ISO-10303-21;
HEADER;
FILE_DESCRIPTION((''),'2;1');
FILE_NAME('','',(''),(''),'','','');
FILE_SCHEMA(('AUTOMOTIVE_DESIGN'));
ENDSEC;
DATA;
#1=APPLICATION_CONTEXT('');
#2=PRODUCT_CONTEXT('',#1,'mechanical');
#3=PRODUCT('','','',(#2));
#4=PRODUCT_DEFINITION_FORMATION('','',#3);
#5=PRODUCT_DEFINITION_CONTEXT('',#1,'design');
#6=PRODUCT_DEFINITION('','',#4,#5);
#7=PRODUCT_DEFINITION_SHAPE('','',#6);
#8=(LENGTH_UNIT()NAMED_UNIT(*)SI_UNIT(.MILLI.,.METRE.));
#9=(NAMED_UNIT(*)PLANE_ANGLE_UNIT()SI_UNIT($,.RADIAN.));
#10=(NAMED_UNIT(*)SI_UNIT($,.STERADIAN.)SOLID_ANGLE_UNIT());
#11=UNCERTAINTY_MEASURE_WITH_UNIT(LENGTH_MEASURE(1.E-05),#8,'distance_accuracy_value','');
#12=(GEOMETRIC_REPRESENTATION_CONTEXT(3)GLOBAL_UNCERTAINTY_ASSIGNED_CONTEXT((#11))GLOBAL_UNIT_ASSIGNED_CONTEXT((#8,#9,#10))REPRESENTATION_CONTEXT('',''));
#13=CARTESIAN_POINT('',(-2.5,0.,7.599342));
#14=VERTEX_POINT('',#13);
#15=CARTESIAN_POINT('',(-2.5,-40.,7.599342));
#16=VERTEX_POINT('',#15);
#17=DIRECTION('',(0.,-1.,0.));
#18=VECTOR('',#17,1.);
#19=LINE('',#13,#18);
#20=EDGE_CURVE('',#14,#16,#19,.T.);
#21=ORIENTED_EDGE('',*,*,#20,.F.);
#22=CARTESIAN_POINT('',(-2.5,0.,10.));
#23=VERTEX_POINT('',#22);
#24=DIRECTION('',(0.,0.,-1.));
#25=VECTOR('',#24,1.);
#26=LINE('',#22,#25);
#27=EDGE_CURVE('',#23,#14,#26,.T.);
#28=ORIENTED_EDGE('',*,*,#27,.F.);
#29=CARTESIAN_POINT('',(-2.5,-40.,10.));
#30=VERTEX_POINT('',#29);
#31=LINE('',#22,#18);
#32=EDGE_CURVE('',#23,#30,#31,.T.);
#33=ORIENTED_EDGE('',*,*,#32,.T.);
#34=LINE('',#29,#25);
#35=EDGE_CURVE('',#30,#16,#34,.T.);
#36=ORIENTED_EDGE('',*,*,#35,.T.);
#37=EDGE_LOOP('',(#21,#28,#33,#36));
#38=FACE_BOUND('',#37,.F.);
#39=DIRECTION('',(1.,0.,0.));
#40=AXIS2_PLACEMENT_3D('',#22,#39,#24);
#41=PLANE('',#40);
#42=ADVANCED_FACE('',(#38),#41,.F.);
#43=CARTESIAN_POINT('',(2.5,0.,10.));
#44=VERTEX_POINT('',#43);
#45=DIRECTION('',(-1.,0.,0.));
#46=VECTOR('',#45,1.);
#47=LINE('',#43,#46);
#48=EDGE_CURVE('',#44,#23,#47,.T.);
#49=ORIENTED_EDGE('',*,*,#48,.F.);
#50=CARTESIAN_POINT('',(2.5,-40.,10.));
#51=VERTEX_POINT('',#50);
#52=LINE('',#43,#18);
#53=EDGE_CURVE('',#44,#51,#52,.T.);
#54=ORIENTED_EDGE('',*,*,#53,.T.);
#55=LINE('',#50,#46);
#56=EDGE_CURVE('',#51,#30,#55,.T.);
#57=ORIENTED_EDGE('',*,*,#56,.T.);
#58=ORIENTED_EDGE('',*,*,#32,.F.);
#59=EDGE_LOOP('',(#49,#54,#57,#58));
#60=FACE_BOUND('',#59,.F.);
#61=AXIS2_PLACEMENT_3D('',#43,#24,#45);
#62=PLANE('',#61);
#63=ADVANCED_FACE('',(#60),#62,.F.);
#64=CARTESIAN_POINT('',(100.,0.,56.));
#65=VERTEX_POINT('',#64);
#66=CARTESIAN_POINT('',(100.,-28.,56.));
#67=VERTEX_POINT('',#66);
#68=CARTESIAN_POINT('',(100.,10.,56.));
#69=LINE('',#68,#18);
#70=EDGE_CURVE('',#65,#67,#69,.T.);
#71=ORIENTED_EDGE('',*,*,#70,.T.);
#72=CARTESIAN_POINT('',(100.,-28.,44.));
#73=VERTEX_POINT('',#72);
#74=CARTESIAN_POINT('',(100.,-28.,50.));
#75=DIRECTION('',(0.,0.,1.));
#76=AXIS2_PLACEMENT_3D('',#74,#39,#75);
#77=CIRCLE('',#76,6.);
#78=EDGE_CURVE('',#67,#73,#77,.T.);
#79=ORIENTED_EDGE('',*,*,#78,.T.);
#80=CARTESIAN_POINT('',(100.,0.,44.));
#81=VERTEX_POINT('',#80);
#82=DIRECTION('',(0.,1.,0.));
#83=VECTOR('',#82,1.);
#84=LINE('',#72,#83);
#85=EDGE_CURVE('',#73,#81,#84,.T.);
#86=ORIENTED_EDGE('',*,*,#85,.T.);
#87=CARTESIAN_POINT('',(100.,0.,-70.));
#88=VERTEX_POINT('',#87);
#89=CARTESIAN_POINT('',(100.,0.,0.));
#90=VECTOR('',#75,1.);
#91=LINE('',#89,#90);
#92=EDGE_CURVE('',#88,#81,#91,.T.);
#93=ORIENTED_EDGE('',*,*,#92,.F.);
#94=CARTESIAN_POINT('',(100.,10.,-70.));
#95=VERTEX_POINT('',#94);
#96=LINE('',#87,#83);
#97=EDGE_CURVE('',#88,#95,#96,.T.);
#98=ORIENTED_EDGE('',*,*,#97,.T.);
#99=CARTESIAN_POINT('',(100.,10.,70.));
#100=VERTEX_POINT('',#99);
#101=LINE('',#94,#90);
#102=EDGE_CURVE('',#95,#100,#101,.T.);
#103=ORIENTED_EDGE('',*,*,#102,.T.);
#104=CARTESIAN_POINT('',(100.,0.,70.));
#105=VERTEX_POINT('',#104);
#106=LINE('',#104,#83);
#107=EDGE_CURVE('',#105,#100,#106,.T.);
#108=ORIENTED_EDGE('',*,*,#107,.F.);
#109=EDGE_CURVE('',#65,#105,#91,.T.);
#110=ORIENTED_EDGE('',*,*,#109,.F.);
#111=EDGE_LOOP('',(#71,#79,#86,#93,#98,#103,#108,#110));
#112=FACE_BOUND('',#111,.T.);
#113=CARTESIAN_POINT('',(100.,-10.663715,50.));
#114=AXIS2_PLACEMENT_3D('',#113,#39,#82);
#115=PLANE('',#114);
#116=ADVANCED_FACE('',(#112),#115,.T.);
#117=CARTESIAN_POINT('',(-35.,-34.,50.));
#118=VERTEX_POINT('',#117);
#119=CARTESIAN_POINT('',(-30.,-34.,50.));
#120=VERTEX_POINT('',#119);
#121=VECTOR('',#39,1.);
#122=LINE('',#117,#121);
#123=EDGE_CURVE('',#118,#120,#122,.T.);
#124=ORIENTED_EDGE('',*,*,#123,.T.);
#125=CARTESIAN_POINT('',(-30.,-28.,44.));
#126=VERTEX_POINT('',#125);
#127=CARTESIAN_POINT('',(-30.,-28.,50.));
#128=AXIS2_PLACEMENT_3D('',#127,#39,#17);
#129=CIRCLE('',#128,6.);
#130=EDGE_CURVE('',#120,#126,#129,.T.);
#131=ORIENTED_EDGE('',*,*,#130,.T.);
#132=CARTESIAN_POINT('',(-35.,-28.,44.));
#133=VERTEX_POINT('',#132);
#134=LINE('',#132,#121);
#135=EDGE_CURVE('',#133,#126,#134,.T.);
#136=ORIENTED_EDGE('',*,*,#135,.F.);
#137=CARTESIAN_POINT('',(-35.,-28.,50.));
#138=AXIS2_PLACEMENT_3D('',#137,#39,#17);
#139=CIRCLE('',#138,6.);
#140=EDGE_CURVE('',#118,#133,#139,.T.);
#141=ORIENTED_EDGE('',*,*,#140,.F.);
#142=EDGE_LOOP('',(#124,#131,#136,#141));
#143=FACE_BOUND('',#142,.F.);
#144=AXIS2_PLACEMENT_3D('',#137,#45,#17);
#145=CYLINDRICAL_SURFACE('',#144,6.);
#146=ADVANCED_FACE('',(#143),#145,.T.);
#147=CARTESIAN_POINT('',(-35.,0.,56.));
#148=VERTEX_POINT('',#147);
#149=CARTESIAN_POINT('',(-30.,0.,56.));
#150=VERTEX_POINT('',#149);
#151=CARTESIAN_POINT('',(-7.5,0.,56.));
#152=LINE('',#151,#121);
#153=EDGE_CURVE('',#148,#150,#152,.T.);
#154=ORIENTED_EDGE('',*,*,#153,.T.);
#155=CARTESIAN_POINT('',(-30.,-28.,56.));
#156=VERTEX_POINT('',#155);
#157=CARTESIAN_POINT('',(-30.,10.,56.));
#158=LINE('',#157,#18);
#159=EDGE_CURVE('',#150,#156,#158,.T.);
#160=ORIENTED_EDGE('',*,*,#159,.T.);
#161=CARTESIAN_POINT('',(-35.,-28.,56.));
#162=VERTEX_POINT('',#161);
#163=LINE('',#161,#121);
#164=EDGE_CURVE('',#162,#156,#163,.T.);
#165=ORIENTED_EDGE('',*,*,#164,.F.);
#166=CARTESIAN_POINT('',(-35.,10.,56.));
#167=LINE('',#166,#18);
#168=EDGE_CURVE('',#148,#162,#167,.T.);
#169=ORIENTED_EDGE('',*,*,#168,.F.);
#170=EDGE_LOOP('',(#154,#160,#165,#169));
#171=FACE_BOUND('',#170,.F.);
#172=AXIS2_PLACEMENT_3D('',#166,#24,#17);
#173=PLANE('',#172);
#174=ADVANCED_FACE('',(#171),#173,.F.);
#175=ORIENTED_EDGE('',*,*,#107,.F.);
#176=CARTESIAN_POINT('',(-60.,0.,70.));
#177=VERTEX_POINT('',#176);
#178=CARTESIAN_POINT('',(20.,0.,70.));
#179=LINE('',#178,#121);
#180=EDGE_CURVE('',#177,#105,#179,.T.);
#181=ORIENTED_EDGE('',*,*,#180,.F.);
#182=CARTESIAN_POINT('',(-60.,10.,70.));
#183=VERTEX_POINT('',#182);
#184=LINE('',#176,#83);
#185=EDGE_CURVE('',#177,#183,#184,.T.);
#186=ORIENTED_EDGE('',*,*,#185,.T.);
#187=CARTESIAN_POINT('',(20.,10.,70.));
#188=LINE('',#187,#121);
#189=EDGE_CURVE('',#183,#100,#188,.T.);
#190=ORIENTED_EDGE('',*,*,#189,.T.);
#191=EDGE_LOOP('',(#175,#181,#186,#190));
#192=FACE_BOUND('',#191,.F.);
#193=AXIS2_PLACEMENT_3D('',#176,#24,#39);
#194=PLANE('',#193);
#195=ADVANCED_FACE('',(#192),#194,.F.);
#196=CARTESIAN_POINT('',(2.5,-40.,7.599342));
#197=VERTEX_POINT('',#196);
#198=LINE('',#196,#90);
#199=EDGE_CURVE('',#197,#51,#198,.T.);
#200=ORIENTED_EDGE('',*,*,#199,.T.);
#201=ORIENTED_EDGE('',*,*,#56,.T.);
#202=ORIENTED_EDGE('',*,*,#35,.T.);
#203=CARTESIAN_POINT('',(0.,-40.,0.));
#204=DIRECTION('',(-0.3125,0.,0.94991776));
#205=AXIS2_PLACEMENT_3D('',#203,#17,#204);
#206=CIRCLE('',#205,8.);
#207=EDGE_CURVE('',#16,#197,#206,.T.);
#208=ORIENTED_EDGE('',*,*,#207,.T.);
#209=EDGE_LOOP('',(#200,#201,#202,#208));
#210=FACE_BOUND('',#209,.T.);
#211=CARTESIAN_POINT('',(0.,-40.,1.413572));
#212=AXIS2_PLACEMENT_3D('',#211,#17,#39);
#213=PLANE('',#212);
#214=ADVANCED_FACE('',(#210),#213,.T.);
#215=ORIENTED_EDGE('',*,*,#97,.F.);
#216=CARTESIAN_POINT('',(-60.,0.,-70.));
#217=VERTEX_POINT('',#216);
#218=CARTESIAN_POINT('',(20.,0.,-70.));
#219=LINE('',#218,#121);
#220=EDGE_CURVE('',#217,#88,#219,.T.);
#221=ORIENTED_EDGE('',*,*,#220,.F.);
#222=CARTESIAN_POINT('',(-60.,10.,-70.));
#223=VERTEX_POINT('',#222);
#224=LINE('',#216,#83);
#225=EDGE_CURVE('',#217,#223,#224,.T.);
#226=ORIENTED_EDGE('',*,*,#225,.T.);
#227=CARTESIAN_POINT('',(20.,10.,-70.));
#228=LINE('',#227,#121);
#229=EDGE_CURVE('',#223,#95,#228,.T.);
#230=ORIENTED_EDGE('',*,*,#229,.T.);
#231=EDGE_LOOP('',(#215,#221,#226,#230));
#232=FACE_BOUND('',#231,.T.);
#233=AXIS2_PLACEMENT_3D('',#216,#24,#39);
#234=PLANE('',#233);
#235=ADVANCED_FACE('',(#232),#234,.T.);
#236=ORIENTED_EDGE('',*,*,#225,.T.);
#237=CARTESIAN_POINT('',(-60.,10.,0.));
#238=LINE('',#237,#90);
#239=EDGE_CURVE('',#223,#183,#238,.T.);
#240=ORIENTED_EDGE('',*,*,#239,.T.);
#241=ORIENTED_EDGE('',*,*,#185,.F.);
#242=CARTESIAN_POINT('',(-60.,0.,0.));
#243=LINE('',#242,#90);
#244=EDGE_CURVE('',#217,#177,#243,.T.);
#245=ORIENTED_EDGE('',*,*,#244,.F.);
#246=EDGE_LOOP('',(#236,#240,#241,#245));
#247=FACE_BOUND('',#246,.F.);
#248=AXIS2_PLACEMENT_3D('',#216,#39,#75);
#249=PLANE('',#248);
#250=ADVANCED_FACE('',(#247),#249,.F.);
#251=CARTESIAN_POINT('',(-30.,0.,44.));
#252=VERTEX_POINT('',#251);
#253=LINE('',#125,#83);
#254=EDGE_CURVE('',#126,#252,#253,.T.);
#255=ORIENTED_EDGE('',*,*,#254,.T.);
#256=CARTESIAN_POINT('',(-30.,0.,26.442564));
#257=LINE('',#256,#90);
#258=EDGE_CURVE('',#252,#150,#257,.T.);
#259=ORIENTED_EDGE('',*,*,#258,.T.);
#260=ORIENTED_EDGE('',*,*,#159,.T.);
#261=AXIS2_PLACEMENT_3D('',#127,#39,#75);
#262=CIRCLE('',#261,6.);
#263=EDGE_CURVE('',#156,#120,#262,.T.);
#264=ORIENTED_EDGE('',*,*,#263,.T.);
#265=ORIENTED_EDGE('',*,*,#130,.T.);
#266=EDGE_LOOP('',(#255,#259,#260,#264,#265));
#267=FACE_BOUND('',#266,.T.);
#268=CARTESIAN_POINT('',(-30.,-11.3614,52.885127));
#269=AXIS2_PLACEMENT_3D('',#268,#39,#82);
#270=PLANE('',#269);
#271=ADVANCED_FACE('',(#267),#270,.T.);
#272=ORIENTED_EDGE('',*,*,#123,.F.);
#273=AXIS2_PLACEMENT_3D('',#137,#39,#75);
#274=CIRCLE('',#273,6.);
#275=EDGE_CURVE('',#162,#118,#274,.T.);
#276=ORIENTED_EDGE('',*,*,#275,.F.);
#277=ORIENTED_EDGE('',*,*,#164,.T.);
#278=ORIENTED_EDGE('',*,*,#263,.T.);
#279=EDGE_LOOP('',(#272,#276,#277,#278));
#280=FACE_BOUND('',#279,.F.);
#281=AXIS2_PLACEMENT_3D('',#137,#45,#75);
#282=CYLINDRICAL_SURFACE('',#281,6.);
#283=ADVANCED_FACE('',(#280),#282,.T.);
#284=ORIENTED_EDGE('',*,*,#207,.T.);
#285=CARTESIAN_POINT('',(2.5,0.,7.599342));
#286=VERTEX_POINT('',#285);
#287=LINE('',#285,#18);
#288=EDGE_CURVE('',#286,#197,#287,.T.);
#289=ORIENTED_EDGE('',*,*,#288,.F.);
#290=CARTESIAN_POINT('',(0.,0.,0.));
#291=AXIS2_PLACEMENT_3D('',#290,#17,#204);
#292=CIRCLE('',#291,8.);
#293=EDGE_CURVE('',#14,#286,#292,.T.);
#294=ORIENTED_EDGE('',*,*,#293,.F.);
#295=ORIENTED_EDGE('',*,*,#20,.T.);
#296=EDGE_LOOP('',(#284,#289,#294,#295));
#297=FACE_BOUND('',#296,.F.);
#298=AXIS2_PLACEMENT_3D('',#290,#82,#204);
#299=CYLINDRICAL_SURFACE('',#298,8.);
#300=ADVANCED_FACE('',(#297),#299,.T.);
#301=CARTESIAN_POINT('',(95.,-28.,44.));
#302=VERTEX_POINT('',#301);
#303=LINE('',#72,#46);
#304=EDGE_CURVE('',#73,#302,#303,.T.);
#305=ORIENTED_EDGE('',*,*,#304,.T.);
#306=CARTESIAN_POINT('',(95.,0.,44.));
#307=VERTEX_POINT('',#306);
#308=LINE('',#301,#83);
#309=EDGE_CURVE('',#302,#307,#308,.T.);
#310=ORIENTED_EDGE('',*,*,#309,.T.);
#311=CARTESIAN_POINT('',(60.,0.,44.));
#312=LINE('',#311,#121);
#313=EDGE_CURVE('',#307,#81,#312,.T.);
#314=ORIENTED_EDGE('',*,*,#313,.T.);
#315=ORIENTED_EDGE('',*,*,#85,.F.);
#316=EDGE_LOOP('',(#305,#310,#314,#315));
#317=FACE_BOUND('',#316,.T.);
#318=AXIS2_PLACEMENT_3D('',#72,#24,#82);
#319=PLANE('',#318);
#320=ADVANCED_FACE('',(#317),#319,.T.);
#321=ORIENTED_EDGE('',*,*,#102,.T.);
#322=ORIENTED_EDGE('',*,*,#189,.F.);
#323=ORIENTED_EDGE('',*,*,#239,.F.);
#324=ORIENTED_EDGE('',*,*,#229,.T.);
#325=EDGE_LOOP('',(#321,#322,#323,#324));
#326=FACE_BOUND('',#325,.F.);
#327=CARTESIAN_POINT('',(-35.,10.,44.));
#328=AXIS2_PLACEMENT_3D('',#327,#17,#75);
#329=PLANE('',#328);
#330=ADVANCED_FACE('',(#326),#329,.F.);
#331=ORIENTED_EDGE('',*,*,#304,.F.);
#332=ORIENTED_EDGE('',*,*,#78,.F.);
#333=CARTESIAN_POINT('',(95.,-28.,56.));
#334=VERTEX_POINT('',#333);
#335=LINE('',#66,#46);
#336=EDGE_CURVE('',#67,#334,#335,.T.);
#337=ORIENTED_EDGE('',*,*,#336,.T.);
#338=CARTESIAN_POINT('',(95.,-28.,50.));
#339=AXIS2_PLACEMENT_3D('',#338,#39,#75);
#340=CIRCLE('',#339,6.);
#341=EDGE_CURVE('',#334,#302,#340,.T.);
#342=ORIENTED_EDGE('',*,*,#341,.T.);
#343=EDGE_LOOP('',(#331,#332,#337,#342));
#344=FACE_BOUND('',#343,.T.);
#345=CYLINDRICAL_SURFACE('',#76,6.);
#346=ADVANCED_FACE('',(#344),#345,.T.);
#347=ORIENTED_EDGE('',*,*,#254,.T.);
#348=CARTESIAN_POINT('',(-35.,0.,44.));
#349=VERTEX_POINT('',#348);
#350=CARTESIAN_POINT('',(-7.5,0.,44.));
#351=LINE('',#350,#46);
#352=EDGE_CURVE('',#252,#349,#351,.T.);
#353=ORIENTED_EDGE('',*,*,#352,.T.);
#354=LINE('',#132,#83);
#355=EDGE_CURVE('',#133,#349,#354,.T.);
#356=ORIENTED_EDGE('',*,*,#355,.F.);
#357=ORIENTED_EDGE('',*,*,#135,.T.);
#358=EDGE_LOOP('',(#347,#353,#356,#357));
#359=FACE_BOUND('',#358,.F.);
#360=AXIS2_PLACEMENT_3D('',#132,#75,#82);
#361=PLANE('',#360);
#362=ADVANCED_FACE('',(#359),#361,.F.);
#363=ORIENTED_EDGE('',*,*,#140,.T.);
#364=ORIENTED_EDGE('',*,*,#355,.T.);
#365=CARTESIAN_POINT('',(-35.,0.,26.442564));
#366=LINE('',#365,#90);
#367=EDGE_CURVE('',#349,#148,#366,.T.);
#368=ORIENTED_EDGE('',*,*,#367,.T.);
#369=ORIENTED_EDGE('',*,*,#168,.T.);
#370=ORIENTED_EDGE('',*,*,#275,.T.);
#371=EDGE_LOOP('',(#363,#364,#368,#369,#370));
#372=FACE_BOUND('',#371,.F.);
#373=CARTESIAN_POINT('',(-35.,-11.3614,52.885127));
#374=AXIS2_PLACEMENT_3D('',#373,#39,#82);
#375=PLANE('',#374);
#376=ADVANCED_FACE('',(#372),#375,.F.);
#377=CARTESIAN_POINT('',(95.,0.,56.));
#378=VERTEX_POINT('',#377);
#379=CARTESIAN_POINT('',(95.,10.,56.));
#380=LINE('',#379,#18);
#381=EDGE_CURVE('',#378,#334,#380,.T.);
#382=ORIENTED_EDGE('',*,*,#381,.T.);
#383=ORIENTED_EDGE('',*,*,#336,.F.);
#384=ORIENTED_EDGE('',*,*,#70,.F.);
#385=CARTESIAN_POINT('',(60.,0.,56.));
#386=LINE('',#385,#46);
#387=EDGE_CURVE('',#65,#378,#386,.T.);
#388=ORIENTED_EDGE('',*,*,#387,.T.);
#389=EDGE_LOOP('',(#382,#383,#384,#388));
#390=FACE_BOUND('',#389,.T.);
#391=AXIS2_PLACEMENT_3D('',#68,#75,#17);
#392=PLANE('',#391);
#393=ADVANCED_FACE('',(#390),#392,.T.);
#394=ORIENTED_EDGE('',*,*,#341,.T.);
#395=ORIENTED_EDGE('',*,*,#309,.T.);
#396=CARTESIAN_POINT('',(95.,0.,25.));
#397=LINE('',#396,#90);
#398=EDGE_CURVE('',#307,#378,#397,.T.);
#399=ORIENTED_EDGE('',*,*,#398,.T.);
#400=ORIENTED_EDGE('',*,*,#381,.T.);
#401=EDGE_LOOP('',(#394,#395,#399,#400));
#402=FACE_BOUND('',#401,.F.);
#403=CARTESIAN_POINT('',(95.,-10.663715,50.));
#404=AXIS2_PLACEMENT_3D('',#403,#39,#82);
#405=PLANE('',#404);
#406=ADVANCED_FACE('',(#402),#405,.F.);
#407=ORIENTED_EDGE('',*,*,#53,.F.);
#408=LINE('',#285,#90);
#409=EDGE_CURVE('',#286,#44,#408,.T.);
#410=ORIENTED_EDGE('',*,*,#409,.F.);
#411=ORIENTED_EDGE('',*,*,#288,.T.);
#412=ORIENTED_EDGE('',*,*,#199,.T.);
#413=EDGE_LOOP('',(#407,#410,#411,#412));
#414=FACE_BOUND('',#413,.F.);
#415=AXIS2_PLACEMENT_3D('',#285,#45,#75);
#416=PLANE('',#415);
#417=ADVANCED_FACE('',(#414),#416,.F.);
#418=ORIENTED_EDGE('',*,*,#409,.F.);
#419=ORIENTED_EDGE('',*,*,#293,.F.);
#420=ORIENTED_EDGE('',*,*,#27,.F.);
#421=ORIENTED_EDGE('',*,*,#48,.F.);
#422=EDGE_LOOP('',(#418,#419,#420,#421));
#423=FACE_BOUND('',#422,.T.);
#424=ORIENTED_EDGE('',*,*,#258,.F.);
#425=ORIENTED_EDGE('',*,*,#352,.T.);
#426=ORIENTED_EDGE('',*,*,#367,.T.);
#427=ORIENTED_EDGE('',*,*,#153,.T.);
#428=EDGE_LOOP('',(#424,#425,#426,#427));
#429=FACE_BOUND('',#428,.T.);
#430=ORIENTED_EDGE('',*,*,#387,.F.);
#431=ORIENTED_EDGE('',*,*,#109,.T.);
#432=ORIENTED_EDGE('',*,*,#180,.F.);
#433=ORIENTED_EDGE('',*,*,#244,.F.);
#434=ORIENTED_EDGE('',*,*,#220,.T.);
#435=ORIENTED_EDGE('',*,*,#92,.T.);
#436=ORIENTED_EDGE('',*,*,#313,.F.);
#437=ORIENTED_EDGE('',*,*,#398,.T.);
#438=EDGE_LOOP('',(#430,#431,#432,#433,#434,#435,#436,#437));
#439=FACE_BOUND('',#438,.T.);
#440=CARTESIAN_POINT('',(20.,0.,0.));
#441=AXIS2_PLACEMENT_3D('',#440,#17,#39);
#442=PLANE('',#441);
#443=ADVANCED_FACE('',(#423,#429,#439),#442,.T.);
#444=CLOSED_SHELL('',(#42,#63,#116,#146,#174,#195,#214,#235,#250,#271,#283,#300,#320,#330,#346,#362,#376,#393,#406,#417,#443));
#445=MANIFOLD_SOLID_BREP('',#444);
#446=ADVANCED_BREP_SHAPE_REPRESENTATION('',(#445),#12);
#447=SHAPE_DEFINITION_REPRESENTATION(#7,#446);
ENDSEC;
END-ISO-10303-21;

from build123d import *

# Parameters (mm, degrees)
F0_W     = 160
F0_H     = 140
F1_DEPTH = 10
F3_DEPTH = 40
F5_DEPTH = 5
F8_DEPTH = 5


with BuildPart() as f1:
    # F0 (on Front) → F1 (new body)
    with BuildSketch(Plane.XZ):
        with Locations((20, 0)):
            Rectangle(F0_W, F0_H)
    extrude(amount=-F1_DEPTH)

    # F2 (on face) → F3 (join)
    with BuildSketch(Plane.XZ):
        with BuildLine():
            Line((-2.5, 10), (-2.5, 7.5993420768))
            ThreePointArc((-2.5, 7.5993420768), (0, -8), (2.5, 7.5993420768))
            Line((2.5, 7.5993420768), (2.5, 10))
            Line((2.5, 10), (-2.5, 10))
        make_face()
    extrude(amount=F3_DEPTH)

    # F4 (on face) → F5 (join)
    with BuildSketch(Plane.YZ.offset(100)):
        with BuildLine():
            ThreePointArc((-28, 56), (-34, 50), (-28, 44))
            Line((-28, 44), (10, 44))
            Line((10, 44), (10, 56))
            Line((10, 56), (-28, 56))
        make_face()
    extrude(amount=-F5_DEPTH)

    # F7 (on offset) → F8 (join)
    with BuildSketch(Plane.YZ.offset(-35)):
        with BuildLine():
            Line((10, 56), (-28, 56))
            ThreePointArc((-28, 56), (-32.2426406871, 54.2426406871), (-34, 50))
            Line((-34, 50), (10, 50))
            Line((10, 50), (10, 56))
        make_face()
        with BuildLine():
            Line((10, 50), (-34, 50))
            ThreePointArc((-34, 50), (-32.2426406871, 45.7573593129), (-28, 44))
            Line((-28, 44), (10, 44))
            Line((10, 44), (10, 50))
        make_face()
    extrude(amount=F8_DEPTH)


solid = f1.part
